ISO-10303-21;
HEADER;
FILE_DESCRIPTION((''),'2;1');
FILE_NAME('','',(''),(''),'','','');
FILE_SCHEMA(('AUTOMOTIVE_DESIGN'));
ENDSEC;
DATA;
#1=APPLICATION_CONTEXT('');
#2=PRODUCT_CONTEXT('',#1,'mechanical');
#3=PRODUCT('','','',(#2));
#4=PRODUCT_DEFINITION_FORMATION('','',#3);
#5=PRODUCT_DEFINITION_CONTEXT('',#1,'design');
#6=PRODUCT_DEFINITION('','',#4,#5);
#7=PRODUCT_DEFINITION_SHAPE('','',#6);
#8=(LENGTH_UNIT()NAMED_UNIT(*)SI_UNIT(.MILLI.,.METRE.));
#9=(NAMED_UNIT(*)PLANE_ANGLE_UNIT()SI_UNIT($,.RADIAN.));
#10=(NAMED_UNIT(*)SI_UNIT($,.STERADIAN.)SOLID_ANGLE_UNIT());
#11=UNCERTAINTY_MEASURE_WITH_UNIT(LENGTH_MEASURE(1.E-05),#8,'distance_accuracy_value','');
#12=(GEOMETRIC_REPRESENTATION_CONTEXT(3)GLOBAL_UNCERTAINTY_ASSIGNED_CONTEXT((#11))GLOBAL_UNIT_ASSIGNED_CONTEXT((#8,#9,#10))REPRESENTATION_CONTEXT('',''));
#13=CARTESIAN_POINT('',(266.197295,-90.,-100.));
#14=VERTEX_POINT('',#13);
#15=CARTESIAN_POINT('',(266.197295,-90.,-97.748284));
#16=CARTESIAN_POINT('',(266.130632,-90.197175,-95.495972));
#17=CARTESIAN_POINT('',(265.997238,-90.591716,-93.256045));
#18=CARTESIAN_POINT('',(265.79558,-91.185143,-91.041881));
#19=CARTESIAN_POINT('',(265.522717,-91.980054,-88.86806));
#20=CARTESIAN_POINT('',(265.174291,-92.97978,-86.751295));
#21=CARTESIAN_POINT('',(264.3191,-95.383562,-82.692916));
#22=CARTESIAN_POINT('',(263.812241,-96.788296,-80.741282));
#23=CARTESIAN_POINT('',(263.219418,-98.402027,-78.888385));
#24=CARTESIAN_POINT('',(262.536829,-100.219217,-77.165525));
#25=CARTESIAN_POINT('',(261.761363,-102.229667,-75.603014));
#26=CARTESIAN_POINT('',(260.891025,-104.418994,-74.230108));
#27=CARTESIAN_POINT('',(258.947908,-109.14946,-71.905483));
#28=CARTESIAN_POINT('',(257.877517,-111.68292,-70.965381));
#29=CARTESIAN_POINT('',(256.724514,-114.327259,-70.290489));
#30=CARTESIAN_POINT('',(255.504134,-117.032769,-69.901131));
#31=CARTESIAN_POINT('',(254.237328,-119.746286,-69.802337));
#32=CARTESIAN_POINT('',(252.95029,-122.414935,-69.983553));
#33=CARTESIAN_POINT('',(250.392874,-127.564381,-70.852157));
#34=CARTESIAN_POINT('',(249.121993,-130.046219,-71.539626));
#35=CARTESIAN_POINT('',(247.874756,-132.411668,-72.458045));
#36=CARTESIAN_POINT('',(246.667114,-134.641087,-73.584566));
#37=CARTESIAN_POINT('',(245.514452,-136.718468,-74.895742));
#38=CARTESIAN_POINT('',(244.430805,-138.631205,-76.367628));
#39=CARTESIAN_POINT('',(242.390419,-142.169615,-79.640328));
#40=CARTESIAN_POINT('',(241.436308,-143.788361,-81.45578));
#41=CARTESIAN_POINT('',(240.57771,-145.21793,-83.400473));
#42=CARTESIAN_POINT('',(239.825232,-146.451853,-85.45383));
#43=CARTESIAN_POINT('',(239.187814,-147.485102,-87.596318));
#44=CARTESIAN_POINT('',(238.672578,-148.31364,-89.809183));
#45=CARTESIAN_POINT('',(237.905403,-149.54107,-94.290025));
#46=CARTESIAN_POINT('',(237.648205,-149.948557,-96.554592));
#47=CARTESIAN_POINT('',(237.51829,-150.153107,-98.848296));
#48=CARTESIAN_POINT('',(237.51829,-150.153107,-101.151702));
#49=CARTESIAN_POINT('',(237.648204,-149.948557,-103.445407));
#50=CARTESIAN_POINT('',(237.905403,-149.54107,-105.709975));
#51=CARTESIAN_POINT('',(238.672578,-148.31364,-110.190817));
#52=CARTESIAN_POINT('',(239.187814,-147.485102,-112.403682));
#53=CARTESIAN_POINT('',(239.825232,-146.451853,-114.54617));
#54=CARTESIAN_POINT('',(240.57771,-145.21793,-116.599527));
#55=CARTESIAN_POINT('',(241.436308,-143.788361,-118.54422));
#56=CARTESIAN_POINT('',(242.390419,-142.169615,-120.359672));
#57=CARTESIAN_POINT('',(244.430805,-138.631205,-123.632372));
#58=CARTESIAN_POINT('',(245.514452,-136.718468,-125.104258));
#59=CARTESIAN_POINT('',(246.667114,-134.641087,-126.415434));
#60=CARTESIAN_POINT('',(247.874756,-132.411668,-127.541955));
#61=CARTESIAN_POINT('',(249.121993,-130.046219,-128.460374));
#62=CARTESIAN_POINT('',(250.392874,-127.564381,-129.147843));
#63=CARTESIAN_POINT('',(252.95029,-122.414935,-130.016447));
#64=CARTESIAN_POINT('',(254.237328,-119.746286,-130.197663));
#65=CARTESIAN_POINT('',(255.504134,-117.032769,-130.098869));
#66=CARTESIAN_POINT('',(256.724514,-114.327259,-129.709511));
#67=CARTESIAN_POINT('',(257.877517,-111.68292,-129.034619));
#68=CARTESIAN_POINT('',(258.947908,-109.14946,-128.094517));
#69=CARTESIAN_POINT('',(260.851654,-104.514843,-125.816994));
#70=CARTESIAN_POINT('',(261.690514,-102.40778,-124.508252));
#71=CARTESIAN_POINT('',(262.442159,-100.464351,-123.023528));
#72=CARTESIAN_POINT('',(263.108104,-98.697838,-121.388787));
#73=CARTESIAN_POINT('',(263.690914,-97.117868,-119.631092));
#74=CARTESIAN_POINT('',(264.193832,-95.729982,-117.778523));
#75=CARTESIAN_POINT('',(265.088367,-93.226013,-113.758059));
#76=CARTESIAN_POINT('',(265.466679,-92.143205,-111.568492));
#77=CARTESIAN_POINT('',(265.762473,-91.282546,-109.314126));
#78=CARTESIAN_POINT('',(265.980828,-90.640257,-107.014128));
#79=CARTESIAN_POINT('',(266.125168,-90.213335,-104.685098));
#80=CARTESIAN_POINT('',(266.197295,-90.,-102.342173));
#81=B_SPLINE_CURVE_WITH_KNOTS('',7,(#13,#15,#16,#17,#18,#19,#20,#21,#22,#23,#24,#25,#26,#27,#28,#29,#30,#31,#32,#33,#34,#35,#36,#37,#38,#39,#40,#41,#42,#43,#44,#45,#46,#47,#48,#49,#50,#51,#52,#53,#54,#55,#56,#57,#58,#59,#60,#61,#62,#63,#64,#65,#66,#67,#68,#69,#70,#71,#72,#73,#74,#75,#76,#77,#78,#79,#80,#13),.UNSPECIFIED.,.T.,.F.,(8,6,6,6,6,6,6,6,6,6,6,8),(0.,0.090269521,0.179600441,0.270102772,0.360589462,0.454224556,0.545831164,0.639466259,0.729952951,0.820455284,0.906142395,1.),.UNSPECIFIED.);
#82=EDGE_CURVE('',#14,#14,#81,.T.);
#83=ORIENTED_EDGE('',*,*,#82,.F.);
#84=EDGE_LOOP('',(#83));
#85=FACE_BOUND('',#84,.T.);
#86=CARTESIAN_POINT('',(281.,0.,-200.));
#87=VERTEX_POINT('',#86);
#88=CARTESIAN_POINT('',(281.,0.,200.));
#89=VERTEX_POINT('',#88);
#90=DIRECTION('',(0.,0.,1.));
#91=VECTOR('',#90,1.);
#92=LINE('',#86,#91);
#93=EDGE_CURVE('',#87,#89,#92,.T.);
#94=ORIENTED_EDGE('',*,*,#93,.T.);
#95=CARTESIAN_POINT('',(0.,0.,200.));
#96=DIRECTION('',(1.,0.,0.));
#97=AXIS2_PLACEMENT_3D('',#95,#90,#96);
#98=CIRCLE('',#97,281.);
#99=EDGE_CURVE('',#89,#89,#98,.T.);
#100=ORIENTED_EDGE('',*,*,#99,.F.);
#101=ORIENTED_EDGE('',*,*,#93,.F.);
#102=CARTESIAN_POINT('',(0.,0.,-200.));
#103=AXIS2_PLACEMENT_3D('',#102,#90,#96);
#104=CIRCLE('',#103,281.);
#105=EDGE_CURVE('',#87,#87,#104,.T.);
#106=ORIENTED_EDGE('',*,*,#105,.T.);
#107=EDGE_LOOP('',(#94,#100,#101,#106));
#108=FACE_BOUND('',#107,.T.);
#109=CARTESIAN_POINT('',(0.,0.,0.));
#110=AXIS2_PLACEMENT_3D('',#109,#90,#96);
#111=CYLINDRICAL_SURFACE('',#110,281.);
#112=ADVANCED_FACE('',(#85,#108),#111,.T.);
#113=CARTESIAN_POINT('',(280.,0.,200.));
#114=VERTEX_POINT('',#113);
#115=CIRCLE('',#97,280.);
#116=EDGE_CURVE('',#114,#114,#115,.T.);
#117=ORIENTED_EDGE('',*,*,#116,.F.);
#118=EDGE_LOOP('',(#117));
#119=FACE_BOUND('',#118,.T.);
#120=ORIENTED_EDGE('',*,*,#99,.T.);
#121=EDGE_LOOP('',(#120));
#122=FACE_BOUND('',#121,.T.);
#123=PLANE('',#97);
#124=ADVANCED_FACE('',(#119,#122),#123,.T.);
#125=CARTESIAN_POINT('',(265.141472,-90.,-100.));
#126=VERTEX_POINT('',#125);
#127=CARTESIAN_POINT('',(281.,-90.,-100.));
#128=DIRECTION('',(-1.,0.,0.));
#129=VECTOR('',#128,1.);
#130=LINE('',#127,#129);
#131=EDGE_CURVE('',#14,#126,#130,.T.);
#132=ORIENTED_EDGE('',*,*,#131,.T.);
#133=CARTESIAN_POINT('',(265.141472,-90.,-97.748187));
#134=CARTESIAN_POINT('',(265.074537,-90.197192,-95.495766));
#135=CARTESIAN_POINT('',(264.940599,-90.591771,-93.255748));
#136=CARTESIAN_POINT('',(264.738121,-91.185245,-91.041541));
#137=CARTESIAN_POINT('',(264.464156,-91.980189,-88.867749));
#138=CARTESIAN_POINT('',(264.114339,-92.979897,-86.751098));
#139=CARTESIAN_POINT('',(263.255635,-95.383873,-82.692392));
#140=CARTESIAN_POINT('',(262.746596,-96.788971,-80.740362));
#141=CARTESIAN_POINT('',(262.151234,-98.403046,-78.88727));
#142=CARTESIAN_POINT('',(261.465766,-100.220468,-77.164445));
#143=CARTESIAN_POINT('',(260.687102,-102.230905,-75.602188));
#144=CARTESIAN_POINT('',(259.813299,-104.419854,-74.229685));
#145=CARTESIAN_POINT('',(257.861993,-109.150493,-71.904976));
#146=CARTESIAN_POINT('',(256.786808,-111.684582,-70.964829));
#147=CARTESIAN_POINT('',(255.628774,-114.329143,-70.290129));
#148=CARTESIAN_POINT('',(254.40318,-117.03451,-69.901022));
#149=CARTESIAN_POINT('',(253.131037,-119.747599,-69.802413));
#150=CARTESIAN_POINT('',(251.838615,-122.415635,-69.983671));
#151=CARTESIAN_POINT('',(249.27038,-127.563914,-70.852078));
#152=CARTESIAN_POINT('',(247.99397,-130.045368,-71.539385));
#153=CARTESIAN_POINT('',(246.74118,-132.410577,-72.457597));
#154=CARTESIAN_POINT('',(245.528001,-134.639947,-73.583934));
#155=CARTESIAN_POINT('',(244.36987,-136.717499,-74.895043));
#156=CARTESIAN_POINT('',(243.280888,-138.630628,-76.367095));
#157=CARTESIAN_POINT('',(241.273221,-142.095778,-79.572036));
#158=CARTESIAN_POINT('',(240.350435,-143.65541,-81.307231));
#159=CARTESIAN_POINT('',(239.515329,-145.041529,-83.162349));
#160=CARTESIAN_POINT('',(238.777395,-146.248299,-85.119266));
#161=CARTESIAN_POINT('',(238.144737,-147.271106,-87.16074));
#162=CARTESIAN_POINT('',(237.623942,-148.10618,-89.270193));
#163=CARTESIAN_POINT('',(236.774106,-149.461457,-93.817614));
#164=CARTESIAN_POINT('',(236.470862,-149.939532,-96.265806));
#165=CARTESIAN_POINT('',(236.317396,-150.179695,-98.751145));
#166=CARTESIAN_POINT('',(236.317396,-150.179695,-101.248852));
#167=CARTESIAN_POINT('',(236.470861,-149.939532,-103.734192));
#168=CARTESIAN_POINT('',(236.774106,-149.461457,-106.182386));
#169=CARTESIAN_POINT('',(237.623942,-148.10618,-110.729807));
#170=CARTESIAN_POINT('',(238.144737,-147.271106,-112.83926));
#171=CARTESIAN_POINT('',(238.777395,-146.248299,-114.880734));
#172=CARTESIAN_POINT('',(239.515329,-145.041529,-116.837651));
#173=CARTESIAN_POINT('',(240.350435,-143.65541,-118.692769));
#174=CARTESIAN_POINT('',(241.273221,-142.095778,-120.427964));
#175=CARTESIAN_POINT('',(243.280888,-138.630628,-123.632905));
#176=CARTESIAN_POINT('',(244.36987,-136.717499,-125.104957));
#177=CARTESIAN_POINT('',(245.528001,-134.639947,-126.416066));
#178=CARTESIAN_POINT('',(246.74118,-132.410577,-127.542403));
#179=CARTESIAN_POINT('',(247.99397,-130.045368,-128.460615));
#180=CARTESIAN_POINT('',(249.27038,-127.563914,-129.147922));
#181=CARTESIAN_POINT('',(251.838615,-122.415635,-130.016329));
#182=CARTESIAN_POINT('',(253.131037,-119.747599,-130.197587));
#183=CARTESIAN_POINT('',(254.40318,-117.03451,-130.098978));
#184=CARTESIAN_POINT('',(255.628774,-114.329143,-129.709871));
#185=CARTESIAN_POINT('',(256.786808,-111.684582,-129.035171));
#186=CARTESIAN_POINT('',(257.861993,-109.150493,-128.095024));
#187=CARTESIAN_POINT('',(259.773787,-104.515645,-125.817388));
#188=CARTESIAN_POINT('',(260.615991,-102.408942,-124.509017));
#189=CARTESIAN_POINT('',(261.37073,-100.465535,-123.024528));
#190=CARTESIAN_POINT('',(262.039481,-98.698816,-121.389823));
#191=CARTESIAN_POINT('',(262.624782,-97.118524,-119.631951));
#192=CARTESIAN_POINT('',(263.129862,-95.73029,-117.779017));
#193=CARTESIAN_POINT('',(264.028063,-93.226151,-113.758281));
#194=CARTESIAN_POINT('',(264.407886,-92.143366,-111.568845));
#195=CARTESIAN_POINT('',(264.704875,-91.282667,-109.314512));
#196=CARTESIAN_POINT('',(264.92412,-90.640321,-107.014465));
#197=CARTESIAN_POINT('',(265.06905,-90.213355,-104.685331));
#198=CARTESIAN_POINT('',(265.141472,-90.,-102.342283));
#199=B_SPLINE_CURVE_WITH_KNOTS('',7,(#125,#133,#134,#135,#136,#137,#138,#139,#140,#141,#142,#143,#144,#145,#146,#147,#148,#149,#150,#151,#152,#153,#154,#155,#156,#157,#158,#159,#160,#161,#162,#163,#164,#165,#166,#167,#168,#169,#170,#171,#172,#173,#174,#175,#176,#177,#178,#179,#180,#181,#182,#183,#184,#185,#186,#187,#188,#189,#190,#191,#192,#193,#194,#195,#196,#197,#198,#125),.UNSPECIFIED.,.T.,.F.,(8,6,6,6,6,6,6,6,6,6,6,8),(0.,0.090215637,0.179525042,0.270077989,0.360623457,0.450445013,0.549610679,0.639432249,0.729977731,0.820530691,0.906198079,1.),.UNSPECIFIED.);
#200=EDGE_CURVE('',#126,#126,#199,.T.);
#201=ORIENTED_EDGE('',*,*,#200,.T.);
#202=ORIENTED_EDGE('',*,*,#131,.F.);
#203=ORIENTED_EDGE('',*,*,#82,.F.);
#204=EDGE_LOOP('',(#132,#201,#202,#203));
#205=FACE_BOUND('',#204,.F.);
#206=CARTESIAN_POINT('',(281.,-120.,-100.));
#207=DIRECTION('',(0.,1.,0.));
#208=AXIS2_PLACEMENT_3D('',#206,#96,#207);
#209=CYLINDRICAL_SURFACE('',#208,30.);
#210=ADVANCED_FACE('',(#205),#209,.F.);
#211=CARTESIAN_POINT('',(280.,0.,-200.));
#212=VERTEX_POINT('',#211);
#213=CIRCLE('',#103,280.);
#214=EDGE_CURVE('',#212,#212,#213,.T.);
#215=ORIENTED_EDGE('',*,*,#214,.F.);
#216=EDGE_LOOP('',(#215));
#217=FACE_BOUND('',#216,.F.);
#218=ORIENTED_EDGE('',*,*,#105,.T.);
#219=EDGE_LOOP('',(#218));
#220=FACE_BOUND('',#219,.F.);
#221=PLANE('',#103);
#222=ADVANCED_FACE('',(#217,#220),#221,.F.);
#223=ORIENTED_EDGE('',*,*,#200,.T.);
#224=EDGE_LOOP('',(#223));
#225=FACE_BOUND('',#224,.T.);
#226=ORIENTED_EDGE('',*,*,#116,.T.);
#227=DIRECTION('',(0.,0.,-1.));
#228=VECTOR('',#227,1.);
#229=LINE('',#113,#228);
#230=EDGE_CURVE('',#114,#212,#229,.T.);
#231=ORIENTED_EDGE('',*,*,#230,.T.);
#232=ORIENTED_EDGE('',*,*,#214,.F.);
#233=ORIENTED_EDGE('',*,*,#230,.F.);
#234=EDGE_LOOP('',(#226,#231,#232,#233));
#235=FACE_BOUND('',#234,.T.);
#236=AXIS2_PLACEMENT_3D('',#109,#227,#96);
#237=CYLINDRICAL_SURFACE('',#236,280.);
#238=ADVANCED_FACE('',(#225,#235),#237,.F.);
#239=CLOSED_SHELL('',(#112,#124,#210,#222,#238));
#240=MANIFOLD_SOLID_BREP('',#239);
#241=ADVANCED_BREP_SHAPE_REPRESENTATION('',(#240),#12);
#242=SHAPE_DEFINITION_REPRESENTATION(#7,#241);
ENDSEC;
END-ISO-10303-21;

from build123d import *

# Parameters (mm, degrees)
F0_R     = 281
F0_R_2   = 280
F1_DEPTH = 200
F3_R     = 30
F4_DEPTH = 300


with BuildPart() as f1:
    # F0 (on Top) → F1 (new body, symmetric)
    with BuildSketch(Plane.XY):
        Circle(F0_R)
        Circle(F0_R_2, mode=Mode.SUBTRACT)
    extrude(amount=F1_DEPTH, both=True)

    # F3 (on offset) → F4 (cut)
    with BuildSketch(Plane.YZ.offset(281)):
        with Locations((-120, -100)):
            Circle(F3_R)
    extrude(amount=-F4_DEPTH, mode=Mode.SUBTRACT)


solid = f1.part
